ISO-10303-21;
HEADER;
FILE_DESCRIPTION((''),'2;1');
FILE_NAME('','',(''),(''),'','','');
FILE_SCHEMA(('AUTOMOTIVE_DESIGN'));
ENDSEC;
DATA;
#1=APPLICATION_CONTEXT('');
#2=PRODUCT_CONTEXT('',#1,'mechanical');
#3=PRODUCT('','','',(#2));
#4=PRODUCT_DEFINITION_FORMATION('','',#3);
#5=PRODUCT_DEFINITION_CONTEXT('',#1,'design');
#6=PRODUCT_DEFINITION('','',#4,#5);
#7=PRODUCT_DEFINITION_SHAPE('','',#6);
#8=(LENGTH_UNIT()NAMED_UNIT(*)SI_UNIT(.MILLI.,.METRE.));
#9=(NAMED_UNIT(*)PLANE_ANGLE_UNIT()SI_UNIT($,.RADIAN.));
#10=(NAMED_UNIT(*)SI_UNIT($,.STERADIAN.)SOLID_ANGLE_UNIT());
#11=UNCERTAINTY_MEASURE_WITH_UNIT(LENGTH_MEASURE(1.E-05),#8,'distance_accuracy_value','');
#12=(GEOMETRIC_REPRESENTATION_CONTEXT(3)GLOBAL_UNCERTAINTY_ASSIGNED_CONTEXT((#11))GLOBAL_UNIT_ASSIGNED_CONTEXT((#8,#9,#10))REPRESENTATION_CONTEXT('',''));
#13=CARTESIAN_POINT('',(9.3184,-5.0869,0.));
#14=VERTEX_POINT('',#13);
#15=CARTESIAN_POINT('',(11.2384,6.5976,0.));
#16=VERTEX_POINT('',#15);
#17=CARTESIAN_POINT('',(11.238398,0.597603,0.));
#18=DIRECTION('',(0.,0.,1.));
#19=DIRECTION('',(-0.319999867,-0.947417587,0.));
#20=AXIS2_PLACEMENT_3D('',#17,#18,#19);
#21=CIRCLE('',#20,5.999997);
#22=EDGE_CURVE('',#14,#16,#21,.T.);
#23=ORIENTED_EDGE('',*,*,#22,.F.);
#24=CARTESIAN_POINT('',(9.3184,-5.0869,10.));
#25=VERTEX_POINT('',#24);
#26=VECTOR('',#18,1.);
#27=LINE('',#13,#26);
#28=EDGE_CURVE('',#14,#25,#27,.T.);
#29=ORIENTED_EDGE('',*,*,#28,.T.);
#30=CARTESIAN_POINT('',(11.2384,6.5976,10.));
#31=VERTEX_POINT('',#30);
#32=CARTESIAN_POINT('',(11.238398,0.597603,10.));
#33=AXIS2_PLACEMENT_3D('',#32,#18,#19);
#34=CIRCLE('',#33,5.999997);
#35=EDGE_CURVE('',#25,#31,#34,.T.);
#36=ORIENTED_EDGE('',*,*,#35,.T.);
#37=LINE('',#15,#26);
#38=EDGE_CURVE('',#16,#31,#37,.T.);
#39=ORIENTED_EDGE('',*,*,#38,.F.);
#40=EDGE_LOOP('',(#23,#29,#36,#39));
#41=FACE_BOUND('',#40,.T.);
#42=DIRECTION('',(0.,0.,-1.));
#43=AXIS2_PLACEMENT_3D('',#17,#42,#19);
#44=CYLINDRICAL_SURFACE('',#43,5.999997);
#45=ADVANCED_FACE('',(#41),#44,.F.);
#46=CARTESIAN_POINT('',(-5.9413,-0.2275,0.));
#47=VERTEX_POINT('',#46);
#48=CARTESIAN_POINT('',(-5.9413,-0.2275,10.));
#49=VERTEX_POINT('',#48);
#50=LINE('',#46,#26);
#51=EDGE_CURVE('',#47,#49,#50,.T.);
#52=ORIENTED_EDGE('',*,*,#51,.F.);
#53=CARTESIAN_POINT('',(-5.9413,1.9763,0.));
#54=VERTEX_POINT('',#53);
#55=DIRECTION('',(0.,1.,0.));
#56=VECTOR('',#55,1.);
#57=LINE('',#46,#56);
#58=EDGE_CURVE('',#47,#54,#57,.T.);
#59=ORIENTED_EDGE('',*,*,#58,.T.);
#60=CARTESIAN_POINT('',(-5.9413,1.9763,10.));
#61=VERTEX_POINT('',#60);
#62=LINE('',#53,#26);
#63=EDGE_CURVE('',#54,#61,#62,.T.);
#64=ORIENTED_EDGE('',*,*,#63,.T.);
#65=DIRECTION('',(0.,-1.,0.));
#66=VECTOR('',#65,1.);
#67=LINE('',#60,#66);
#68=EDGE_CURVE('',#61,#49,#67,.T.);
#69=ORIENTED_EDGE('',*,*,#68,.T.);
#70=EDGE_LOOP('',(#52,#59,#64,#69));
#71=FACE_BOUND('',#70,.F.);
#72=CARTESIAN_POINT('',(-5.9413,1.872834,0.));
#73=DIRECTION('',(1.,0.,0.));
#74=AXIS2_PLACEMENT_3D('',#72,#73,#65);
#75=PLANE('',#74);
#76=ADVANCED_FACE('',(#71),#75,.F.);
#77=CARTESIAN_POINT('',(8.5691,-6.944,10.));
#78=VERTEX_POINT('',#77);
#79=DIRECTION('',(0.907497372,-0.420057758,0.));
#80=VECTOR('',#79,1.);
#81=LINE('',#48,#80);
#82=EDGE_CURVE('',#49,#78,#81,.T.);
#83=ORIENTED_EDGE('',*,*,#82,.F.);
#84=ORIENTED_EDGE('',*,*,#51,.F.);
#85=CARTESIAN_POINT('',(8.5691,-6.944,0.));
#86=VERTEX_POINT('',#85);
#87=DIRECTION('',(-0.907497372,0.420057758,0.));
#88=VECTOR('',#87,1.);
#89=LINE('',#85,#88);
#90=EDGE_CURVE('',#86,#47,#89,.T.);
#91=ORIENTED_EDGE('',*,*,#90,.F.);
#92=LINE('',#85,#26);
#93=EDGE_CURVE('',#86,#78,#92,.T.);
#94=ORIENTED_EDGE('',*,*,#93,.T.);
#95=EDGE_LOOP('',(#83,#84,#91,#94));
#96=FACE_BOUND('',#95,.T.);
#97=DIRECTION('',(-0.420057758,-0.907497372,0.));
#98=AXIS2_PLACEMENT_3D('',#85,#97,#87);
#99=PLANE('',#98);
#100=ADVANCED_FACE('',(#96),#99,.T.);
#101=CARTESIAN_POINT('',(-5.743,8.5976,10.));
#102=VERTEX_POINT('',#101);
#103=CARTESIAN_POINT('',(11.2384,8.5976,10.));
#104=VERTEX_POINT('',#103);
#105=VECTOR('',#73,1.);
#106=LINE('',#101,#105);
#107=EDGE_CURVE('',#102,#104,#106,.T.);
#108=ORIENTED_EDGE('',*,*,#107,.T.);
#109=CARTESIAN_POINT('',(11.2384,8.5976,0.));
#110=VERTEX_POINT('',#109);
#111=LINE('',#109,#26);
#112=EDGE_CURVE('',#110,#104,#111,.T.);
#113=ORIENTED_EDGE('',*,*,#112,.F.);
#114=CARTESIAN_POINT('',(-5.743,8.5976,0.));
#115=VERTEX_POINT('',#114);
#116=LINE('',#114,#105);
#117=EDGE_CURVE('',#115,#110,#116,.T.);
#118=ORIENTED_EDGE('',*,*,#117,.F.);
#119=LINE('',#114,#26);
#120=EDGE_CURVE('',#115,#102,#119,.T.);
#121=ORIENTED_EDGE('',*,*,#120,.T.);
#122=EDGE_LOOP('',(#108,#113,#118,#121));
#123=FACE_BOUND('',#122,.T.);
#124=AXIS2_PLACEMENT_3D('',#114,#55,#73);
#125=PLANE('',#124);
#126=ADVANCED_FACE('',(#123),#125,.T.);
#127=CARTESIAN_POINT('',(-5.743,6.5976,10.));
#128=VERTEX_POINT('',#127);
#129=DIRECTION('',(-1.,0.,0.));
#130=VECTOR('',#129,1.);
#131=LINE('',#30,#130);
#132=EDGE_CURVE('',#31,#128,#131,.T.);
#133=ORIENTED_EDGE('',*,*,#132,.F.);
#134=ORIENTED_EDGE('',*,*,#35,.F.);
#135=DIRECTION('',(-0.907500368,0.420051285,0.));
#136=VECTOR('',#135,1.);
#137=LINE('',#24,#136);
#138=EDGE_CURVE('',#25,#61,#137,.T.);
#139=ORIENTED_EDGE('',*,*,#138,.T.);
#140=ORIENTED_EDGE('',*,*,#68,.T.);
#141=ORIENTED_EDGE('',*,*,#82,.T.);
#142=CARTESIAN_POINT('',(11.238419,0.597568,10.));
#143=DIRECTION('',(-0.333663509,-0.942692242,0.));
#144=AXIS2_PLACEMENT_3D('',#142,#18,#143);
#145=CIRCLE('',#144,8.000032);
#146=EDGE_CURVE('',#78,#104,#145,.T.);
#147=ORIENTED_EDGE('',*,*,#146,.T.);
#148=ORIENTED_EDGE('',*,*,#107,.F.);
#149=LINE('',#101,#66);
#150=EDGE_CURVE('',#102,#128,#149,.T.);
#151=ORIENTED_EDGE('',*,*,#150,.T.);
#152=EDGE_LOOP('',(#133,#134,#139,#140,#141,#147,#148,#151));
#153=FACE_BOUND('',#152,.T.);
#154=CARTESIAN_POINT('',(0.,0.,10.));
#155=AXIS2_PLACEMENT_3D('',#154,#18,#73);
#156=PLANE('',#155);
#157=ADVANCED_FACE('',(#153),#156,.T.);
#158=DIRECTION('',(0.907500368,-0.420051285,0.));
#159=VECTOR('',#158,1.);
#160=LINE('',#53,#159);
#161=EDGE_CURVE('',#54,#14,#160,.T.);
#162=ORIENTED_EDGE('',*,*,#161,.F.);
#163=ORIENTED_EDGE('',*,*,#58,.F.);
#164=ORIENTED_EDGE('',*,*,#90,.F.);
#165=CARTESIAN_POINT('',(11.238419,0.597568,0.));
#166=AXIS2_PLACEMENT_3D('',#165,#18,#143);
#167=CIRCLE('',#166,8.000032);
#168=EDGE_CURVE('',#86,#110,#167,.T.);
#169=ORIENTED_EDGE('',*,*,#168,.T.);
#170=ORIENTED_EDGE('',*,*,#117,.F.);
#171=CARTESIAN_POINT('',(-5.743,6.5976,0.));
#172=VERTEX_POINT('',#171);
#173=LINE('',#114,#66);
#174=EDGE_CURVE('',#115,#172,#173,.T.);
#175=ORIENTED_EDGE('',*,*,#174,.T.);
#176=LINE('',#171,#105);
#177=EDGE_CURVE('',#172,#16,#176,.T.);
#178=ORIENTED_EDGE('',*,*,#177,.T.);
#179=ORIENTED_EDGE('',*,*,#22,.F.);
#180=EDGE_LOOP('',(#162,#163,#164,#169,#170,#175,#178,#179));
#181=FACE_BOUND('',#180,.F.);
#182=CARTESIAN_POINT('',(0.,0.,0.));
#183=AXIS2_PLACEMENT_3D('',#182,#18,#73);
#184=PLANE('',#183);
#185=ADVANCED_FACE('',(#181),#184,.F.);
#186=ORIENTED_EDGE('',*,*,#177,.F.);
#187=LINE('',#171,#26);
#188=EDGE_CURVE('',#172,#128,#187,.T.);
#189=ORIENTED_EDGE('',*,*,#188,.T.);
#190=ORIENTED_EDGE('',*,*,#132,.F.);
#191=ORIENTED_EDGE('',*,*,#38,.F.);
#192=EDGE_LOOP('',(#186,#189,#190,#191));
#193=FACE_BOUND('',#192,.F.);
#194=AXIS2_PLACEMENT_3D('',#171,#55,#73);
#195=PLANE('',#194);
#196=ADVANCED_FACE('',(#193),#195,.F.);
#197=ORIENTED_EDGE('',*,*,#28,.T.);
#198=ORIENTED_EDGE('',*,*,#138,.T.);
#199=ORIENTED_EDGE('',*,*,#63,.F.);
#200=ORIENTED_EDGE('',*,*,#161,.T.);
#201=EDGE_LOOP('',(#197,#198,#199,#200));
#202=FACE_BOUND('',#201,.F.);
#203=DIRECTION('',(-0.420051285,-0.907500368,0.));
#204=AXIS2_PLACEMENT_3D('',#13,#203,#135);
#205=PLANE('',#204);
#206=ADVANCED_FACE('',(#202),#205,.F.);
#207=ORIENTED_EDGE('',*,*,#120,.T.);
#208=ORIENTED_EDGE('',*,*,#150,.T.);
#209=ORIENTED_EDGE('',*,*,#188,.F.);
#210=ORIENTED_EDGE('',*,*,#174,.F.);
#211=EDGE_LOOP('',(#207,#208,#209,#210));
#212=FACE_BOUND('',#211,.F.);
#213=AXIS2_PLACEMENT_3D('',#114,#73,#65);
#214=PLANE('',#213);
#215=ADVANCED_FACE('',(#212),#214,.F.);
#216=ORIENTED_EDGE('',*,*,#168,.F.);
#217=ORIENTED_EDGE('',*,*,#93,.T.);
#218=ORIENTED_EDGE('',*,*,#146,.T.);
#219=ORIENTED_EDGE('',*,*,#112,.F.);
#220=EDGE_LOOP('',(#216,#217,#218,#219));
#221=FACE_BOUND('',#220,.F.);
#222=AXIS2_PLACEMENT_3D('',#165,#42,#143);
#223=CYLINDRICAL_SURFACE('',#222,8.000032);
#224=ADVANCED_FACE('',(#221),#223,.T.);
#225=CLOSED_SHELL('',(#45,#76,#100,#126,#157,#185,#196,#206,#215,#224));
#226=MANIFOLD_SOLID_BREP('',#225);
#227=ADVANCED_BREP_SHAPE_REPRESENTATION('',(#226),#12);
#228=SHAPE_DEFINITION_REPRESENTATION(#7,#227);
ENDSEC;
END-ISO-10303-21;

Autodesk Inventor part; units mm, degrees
ref_plane "YZ Plane" through (0, 0, 0) normal (1, 0, 0) x (0, 1, 0)
ref_plane "XZ Plane" through (0, 0, 0) normal (0, 1, 0) x (-1, 0, 0)
ref_plane "XY Plane" through (0, 0, 0) normal (0, 0, 1) x (1, 0, 0)
sketch "Sketch1" plane through (0, 0, 0) normal (0, 0, 1) x (1, 0, 0)
  circle A0 centre (-0.2626, 0.8226) radius 5.775
  line L0 (-5.743, 8.5976) -> (11.2384, 8.5976)
  arc A1 (8.5691, -6.944) -> (11.2384, 8.5976) centre (11.2384, 0.5976) ccw
  line L1 (8.5691, -6.944) -> (-5.9413, -0.2275)
  line L2 (-5.743, 6.5976) -> (11.2384, 6.5976)
  arc A2 (9.3184, -5.0869) -> (11.2384, 6.5976) centre (11.2384, 0.5976) ccw
  line L3 (9.3184, -5.0869) -> (-5.9413, 1.9763)
  line L4 (-5.743, 8.5976) -> (-5.743, 6.5976)
  line L5 (-5.9413, 1.9763) -> (-5.9413, -0.2275)
  point P0 (0, 0)
  dimension "d6" = 11.55
  dimension "d0" = 6
  dimension "d2" = 2
  dimension "d3" = 90
extrude "Extrusion1" add sketch "Sketch1" along normal blind 10 contours L2 L4 L0 A1 L1 A0 L3 A2 | A0 L1 L5 L3 | A0 L5 L3
properties part number "01_Laser_Clamp_OnOffSwitch"
